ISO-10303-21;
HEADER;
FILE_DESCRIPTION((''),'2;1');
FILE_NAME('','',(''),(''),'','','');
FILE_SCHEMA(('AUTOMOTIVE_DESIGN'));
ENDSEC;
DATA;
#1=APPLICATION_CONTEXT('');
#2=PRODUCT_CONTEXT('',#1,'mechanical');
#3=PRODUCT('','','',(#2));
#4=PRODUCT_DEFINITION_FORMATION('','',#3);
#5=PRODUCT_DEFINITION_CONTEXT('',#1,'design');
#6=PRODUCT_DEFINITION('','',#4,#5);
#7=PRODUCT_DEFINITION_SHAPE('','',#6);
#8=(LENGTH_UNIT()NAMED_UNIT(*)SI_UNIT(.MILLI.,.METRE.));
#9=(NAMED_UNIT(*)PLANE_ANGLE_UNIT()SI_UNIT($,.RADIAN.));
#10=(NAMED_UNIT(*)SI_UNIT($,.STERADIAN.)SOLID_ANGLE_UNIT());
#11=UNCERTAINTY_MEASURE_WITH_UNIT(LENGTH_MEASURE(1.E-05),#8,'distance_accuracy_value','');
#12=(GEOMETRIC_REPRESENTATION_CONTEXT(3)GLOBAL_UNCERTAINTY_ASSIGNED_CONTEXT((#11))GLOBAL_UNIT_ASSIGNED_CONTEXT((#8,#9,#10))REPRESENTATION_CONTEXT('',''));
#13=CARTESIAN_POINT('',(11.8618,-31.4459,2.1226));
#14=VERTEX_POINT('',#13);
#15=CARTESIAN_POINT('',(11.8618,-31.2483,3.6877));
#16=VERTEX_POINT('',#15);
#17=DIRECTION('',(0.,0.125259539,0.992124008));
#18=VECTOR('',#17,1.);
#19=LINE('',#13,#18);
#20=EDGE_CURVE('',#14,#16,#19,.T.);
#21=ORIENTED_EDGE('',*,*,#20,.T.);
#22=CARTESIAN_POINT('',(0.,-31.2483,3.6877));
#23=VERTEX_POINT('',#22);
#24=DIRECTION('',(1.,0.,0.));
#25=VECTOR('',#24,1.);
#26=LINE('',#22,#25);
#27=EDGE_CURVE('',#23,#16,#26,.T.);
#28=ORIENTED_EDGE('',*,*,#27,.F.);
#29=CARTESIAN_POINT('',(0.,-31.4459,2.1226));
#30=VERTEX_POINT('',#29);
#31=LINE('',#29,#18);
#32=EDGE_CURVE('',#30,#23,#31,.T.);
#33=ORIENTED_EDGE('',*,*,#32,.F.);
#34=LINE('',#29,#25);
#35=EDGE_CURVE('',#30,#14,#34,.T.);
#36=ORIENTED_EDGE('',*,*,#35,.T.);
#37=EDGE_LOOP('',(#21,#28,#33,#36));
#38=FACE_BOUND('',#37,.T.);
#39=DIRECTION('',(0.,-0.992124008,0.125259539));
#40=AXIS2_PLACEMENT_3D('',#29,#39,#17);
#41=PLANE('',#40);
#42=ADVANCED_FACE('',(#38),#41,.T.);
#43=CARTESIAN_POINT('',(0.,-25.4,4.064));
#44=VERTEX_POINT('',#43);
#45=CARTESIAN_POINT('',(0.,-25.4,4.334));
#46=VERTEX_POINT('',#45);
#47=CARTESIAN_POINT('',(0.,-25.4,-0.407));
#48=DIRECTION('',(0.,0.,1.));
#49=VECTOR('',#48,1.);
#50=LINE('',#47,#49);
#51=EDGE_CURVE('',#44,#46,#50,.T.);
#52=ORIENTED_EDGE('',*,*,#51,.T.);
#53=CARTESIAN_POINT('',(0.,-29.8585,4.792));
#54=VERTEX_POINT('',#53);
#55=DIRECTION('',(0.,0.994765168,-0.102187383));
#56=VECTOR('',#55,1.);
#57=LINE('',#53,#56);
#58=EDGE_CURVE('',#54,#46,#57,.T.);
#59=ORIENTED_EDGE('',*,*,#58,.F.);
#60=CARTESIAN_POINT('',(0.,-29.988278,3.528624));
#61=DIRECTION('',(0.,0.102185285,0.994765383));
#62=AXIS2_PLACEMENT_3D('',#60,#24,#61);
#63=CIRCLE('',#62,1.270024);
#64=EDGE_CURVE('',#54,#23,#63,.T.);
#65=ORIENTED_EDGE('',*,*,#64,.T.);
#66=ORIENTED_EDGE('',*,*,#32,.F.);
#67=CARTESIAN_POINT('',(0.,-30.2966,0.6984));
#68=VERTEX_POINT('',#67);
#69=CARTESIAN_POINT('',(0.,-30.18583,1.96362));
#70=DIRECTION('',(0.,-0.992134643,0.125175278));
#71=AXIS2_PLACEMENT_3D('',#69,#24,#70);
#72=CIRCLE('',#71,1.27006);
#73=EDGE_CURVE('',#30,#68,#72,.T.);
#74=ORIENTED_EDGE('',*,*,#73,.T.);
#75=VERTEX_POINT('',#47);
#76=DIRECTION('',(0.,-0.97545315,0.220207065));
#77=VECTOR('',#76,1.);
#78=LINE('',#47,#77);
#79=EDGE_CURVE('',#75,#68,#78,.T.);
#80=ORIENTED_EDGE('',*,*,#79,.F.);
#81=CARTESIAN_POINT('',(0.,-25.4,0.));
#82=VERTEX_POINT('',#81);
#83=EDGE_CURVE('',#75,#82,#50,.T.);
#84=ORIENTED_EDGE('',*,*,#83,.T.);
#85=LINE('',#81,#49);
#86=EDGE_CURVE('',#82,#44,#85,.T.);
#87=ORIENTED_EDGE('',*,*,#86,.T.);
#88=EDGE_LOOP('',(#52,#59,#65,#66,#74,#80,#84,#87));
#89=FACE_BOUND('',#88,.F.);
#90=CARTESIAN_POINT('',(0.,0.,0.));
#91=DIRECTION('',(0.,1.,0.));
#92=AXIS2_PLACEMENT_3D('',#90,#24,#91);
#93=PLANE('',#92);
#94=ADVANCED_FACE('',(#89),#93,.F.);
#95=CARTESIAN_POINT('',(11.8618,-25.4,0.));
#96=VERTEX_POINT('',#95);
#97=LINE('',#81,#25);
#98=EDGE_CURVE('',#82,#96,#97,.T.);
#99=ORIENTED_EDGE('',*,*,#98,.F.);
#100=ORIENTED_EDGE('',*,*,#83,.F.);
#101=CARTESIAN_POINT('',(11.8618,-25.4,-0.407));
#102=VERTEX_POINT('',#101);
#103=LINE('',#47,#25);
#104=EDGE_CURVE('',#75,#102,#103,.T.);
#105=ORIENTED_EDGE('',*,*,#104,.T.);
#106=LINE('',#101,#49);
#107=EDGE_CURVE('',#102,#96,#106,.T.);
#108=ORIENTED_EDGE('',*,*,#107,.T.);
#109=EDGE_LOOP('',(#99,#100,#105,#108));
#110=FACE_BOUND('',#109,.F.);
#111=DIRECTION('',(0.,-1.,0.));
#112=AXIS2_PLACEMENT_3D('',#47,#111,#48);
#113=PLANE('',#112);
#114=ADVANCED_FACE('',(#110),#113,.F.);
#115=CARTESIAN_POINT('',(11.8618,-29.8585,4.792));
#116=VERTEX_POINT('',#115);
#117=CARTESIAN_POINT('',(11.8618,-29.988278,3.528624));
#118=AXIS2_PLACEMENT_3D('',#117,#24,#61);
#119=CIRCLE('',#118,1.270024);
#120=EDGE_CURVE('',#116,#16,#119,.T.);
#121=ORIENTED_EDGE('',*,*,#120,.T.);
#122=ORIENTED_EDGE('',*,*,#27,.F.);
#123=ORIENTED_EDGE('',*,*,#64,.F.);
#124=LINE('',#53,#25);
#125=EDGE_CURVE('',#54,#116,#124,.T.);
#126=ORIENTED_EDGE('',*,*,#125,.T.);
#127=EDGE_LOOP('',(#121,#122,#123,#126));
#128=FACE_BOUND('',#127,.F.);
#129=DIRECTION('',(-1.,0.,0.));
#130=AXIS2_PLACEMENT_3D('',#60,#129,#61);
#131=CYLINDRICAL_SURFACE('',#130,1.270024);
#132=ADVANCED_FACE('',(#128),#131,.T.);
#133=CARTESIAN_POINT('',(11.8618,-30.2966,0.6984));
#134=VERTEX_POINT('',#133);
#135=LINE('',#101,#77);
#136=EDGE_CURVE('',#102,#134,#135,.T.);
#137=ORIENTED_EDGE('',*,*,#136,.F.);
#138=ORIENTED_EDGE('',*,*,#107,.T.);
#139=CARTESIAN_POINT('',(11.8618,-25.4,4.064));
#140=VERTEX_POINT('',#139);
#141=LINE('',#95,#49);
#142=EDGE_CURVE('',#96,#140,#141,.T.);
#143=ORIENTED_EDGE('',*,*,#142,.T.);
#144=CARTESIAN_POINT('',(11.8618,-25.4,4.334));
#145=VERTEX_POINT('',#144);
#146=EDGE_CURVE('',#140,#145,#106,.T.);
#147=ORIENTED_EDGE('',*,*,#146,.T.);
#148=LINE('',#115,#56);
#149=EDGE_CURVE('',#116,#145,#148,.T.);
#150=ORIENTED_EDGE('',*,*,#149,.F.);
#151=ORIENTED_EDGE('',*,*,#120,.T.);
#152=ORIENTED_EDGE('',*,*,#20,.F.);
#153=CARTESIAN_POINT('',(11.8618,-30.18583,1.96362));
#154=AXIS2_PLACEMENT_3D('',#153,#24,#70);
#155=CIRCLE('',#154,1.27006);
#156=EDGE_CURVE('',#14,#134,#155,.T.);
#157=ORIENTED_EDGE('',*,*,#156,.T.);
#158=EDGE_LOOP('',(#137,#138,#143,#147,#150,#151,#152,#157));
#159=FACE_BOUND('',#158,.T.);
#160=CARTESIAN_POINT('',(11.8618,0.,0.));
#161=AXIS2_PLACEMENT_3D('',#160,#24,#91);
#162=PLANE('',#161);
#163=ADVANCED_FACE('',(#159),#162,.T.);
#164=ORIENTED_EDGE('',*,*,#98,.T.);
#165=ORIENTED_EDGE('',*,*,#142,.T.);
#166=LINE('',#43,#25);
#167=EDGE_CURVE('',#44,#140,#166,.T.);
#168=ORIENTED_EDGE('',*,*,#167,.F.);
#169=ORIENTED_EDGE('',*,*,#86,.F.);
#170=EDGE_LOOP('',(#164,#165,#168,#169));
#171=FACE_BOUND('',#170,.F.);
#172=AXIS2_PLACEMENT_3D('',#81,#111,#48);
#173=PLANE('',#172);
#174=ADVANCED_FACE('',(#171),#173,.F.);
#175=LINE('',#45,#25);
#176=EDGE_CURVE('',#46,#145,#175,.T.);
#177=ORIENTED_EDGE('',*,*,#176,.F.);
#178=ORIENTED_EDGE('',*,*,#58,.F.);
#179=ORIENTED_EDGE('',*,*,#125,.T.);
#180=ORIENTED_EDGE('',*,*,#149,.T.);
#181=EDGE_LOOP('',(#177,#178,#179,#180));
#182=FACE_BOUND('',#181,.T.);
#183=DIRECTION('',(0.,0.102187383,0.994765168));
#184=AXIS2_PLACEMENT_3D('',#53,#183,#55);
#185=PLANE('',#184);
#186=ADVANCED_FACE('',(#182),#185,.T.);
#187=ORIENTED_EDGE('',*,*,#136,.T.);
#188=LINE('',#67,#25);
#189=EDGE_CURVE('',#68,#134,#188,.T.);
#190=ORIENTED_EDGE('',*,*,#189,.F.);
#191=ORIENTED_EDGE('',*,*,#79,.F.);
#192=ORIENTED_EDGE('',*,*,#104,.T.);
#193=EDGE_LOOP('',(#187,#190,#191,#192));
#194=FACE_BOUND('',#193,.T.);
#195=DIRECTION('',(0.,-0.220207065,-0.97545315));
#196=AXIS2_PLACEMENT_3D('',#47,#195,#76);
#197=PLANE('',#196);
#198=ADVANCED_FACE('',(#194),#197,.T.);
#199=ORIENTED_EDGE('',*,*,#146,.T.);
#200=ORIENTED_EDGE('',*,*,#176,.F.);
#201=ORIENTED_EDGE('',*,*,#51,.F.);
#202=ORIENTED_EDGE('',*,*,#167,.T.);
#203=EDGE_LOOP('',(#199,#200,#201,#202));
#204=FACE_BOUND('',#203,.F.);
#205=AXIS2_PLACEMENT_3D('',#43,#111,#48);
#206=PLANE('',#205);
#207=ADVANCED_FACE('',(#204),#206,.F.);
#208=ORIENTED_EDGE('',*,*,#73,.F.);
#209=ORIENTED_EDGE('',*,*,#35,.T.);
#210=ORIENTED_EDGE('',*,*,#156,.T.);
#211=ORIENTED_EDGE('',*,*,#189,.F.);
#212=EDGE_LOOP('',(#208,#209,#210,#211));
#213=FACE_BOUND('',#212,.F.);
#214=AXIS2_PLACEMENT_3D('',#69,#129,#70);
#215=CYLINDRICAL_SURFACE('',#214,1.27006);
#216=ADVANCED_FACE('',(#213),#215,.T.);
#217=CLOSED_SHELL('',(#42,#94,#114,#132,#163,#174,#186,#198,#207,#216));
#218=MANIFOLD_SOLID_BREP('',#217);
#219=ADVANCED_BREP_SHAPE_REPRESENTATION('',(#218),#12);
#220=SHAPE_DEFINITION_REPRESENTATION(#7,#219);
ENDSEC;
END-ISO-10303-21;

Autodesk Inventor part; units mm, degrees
ref_plane "YZ Plane" through (0, 0, 0) normal (1, 0, 0) x (0, 1, 0)
ref_plane "XZ Plane" through (0, 0, 0) normal (0, 1, 0) x (-1, 0, 0)
ref_plane "XY Plane" through (0, 0, 0) normal (0, 0, 1) x (1, 0, 0)
sketch "Sketch1" plane through (0, 0, 0) normal (1, 0, 0) x (0, 1, 0)
  line L0 (-25.4, -0.407) -> (-25.4, 4.334)
  line L1 (-31.4459, 2.1226) -> (-31.2483, 3.6877)
  line L2 (-29.8585, 4.792) -> (-25.4, 4.334)
  arc A0 (-29.8585, 4.792) -> (-31.2483, 3.6877) centre (-29.9883, 3.5287) ccw
  arc A1 (-31.4459, 2.1226) -> (-30.2966, 0.6984) centre (-30.1859, 1.9636) ccw
  line L3 (-25.4, 0) -> (-25.4, 4.064)
  line L4 (-25.4, -0.407) -> (-30.2966, 0.6984)
  point P0 (0, 0)
  dimension "d1" = 1.27
  dimension "d6" = 4.741
extrude "Extrusion1" add sketch "Sketch1" along normal blind 11.8618
properties part number "hook thing"
